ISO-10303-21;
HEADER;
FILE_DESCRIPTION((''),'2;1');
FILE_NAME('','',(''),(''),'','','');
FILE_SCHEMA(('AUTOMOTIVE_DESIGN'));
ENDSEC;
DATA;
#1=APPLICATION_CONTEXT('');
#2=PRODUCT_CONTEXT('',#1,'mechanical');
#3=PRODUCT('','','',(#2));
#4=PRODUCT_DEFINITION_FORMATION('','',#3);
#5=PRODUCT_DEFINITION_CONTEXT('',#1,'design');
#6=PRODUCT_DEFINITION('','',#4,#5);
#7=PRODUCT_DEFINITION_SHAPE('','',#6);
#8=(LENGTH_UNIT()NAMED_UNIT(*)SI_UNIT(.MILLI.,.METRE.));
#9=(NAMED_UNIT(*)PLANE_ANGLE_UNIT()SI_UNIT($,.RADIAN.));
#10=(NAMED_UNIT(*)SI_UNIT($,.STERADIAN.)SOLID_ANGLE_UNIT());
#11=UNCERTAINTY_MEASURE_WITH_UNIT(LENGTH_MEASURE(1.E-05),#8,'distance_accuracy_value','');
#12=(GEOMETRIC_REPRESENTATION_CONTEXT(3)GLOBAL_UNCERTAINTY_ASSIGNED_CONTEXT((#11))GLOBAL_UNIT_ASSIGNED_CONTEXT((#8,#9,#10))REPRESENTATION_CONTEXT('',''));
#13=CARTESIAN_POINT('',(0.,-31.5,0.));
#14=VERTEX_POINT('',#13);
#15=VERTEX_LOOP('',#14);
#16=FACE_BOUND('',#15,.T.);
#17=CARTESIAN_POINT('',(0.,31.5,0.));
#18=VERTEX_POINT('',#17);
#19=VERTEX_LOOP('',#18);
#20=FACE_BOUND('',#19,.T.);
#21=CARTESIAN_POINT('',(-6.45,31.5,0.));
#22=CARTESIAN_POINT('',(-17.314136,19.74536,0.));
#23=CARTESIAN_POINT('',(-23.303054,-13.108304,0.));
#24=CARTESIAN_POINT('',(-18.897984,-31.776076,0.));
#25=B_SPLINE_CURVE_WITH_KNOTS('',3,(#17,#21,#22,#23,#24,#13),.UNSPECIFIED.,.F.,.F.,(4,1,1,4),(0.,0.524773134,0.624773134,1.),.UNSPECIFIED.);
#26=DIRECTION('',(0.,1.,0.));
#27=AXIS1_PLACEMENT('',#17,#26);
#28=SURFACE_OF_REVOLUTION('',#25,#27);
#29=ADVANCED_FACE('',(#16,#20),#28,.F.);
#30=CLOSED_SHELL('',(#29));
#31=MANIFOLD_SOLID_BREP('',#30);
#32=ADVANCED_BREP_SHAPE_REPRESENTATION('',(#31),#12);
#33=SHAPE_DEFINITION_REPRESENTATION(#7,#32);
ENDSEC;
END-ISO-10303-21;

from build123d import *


with BuildPart() as part:
    # Sketch1 → Revolve1 (revolve)
    with BuildSketch(Plane.XY):
        with BuildLine():
            Line((0, 31.5), (0, -31.5))
            add(Edge.make_bspline(
                [(0, 31.5), (-6.45, 31.5), (-17.314135807, 19.745359709), (-23.303053736, -13.108303898), (-18.897983539, -31.776076335), (0, -31.5)],
                knots=[0, 0, 0, 0, 0.524773134, 0.624773134, 1, 1, 1, 1], degree=3))
        make_face()
    revolve(axis=Axis((0, 31.5, 0), (0, -1, 0)))


solid = part.part
